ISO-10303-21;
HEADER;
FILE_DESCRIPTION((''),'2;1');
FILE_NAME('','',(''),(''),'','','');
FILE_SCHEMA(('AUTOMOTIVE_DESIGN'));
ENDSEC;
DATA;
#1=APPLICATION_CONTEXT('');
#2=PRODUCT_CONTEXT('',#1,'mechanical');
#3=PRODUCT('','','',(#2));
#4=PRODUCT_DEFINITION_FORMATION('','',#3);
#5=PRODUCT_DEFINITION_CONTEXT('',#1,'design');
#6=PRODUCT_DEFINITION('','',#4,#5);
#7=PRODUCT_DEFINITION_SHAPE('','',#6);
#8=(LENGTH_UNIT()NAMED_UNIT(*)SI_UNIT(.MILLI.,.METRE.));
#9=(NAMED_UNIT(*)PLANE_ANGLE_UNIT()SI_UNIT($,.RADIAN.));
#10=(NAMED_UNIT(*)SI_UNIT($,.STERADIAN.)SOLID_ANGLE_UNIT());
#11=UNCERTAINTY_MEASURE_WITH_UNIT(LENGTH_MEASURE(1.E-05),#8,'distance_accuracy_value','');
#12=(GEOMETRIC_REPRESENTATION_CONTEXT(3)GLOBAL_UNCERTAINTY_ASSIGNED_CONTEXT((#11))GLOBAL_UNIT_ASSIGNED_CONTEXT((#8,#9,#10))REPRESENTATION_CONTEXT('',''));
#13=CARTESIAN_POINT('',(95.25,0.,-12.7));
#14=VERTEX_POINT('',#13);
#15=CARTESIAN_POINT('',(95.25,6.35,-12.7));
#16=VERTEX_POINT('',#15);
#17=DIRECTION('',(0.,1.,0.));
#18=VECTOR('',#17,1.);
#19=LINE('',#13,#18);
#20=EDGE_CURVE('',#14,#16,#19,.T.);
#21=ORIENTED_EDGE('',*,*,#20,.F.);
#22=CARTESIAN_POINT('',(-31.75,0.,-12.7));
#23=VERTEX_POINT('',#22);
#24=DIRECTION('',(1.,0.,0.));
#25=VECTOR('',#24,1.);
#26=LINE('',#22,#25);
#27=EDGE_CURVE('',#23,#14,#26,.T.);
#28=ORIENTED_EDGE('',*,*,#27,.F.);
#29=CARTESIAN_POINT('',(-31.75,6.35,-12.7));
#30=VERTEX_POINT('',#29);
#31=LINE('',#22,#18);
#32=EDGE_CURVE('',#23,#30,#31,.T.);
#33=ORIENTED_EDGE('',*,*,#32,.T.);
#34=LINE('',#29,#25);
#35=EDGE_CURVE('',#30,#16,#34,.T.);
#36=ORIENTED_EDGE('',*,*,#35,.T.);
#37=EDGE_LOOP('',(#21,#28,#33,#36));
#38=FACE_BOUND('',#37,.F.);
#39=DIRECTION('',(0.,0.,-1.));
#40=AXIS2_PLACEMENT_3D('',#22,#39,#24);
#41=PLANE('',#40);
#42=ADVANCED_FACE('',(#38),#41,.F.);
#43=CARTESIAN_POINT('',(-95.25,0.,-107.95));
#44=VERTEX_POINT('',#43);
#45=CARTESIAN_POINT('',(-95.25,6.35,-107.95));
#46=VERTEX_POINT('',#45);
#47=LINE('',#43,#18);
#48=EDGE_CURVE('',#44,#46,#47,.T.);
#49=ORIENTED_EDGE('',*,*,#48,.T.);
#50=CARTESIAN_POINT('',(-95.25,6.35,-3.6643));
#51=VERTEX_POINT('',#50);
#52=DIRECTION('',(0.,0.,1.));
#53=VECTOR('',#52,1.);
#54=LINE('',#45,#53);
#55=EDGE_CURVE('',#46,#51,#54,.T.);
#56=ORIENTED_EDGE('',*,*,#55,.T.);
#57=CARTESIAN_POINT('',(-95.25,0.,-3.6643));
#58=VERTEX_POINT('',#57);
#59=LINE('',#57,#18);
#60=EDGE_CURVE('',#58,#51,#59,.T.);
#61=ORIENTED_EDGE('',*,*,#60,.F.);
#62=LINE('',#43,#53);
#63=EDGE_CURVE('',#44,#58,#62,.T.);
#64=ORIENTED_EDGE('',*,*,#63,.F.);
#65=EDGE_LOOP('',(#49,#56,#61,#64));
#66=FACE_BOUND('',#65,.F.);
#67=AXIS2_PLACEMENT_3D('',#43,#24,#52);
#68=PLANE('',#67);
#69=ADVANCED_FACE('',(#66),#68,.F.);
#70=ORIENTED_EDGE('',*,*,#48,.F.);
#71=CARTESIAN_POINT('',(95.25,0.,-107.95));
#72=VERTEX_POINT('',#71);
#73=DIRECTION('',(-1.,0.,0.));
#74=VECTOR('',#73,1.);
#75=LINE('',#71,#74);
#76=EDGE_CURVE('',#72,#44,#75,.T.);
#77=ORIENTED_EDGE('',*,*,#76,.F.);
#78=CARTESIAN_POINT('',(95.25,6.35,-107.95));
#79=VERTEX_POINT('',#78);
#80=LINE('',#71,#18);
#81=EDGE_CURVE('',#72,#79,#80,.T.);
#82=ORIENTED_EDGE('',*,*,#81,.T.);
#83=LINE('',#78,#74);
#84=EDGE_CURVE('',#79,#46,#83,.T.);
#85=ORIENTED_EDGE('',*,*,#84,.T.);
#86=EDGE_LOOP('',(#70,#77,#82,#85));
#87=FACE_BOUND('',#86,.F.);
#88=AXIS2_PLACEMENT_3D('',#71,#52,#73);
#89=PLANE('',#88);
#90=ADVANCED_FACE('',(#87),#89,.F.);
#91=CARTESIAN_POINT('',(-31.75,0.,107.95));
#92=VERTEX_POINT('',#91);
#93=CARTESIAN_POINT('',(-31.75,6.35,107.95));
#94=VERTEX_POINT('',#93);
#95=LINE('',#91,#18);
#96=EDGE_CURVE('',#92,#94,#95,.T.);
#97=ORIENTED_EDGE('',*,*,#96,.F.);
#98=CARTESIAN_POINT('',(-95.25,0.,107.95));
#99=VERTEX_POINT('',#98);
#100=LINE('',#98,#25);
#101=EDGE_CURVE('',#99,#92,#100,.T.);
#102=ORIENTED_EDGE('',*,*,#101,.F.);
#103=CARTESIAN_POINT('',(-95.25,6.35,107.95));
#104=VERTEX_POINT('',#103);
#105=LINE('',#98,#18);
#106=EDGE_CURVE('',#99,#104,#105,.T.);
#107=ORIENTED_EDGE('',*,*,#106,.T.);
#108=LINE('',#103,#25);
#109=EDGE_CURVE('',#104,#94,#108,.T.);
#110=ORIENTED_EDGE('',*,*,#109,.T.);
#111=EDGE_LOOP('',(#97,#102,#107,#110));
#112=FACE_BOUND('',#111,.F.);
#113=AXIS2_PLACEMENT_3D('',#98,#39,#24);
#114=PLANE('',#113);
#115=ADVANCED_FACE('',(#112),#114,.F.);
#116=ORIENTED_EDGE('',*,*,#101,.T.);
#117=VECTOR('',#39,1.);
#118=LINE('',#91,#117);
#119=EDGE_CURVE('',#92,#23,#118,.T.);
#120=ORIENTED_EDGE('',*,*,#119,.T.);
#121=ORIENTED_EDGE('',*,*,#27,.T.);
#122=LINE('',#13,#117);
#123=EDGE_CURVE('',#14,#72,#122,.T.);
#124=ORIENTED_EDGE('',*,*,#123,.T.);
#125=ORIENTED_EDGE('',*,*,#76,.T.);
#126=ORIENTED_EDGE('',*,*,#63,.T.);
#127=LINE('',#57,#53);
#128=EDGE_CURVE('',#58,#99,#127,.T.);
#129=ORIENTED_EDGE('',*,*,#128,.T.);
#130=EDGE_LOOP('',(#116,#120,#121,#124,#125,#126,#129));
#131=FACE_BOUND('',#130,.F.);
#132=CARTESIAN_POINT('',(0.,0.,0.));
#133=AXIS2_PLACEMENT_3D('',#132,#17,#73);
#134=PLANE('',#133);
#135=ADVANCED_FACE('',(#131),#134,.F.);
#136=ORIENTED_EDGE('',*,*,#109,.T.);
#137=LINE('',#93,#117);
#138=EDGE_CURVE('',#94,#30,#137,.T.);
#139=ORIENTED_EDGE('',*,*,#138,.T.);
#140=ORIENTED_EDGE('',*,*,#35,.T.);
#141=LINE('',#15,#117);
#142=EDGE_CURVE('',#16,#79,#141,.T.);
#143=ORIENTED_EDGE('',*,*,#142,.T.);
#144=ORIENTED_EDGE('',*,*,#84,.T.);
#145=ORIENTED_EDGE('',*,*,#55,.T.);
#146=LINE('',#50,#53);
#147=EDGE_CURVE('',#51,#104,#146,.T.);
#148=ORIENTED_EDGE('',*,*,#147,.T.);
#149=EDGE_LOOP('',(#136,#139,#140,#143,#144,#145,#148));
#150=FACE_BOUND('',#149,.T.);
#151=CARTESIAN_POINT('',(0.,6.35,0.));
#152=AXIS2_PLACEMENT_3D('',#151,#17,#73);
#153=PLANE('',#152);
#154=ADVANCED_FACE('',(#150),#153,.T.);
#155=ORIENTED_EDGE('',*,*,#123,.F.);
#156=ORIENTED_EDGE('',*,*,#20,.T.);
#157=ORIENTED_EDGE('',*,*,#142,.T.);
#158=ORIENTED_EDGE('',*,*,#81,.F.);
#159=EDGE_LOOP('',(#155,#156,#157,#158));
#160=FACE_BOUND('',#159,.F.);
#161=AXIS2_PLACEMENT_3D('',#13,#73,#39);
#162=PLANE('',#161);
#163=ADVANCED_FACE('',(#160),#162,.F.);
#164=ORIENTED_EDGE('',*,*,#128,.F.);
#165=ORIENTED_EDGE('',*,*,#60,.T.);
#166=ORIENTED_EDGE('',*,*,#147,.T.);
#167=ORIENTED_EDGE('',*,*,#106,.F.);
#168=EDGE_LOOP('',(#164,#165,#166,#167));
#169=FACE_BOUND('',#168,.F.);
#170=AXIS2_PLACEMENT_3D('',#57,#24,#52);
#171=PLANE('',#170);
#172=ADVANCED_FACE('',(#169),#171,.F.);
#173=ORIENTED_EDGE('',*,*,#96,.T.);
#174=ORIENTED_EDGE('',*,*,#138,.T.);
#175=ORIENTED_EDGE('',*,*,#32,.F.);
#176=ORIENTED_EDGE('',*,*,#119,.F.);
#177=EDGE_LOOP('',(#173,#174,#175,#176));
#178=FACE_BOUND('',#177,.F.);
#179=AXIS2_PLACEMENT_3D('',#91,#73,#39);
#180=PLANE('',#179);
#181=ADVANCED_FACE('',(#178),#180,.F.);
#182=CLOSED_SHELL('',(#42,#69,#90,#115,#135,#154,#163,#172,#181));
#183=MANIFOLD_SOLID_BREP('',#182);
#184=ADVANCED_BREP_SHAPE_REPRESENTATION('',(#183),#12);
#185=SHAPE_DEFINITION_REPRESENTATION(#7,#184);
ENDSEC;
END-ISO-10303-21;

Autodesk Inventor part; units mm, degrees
ref_plane "YZ Plane" through (0, 0, 0) normal (1, 0, 0) x (0, 1, 0)
ref_plane "XZ Plane" through (0, 0, 0) normal (0, 1, 0) x (-1, 0, 0)
ref_plane "XY Plane" through (0, 0, 0) normal (0, 0, 1) x (1, 0, 0)
sketch "Sketch1" plane through (0, 0, 0) normal (0, 1, 0) x (-1, 0, 0)
  line L0 (95.25, 107.95) -> (31.75, 107.95)
  line L1 (31.75, 107.95) -> (31.75, -12.7)
  line L2 (95.25, -3.6643) -> (95.25, 107.95)
  line L3 (31.75, -12.7) -> (-95.25, -12.7)
  line L4 (-95.25, -12.7) -> (-95.25, -107.95)
  line L5 (-95.25, -107.95) -> (95.25, -107.95)
  line L6 (95.25, -107.95) -> (95.25, -3.6643)
  point P0 (0, 0)
  dimension "d0" = 63.5
  dimension "d1" = 215.9
  dimension "d2" = 190.5
  dimension "d3" = 95.25
  dimension "d4" = 107.95
  dimension "d5" = 95.25
extrude "Extrusion1" add sketch "Sketch1" along normal blind 6.35
equation "\"d4\" = 0.5 * d1"
equation "\"d5\" = 0.5 * d2"
properties part number "CTU Top" material "Aluminum 6061"
